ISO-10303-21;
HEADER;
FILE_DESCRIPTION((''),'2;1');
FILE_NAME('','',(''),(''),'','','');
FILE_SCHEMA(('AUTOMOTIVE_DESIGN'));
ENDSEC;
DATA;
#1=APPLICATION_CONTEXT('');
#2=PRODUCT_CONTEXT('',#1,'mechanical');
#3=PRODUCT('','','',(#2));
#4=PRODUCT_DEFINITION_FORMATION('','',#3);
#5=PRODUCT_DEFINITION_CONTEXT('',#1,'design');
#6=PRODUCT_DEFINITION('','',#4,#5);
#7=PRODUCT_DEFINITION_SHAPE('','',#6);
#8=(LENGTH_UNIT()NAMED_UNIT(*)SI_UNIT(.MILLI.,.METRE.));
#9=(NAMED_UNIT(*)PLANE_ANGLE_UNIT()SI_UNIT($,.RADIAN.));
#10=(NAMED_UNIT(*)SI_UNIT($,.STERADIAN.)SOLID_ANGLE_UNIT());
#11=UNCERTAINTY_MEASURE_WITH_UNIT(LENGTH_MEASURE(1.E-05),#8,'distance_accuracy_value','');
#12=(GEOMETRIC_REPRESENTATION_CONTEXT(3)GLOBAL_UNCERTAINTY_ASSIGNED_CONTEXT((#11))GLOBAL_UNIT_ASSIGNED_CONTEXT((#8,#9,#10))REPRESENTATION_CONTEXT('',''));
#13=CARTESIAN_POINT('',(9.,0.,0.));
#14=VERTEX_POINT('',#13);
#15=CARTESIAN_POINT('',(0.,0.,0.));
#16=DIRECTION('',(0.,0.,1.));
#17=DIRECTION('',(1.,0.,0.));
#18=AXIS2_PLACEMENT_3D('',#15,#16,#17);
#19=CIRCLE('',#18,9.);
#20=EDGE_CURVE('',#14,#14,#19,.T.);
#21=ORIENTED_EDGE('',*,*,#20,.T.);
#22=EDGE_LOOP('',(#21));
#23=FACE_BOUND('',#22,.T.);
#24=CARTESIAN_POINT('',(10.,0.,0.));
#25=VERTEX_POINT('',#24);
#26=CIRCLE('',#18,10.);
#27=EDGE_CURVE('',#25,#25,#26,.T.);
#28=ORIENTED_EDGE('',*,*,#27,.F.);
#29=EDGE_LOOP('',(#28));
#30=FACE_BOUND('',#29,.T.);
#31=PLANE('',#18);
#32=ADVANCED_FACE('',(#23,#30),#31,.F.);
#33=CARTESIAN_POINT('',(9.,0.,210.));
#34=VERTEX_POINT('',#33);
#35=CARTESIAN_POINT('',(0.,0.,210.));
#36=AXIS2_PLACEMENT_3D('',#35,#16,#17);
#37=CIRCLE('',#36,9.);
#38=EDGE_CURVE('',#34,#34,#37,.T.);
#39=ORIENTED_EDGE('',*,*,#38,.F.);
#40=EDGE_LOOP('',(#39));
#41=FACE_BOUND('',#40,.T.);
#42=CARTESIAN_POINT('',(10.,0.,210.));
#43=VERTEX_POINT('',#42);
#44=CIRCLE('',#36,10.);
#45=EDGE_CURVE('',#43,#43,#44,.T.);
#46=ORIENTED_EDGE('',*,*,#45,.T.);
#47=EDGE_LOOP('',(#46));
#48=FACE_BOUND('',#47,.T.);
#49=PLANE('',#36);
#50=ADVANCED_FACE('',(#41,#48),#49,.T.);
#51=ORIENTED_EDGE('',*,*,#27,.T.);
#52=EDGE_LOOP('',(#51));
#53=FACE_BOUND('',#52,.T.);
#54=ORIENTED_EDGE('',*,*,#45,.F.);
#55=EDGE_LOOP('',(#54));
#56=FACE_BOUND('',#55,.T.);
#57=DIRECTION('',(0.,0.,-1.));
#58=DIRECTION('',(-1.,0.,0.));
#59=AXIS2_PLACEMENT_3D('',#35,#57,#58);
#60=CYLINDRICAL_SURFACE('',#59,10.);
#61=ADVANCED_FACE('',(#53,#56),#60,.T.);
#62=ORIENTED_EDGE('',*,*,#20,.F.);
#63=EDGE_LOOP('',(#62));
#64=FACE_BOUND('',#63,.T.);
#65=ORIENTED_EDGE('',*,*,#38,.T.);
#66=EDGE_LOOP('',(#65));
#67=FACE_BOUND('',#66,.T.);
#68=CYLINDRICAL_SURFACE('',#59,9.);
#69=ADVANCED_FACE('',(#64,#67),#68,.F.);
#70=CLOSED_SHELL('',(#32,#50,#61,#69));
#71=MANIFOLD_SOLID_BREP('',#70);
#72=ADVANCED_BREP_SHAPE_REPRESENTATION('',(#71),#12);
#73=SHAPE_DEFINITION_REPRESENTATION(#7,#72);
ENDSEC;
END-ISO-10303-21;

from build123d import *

# Parameters (mm, degrees)
SCHIZZO1_R                   = 10
SCHIZZO1_R_2                 = 9
ESTRUSIONE_ESTRUSIONE1_DEPTH = 210


with BuildPart() as part:
    # Schizzo1 → Estrusione-Estrusione1 (new body)
    with BuildSketch(Plane.XY):
        Circle(SCHIZZO1_R)
        Circle(SCHIZZO1_R_2, mode=Mode.SUBTRACT)
    extrude(amount=ESTRUSIONE_ESTRUSIONE1_DEPTH)


solid = part.part
